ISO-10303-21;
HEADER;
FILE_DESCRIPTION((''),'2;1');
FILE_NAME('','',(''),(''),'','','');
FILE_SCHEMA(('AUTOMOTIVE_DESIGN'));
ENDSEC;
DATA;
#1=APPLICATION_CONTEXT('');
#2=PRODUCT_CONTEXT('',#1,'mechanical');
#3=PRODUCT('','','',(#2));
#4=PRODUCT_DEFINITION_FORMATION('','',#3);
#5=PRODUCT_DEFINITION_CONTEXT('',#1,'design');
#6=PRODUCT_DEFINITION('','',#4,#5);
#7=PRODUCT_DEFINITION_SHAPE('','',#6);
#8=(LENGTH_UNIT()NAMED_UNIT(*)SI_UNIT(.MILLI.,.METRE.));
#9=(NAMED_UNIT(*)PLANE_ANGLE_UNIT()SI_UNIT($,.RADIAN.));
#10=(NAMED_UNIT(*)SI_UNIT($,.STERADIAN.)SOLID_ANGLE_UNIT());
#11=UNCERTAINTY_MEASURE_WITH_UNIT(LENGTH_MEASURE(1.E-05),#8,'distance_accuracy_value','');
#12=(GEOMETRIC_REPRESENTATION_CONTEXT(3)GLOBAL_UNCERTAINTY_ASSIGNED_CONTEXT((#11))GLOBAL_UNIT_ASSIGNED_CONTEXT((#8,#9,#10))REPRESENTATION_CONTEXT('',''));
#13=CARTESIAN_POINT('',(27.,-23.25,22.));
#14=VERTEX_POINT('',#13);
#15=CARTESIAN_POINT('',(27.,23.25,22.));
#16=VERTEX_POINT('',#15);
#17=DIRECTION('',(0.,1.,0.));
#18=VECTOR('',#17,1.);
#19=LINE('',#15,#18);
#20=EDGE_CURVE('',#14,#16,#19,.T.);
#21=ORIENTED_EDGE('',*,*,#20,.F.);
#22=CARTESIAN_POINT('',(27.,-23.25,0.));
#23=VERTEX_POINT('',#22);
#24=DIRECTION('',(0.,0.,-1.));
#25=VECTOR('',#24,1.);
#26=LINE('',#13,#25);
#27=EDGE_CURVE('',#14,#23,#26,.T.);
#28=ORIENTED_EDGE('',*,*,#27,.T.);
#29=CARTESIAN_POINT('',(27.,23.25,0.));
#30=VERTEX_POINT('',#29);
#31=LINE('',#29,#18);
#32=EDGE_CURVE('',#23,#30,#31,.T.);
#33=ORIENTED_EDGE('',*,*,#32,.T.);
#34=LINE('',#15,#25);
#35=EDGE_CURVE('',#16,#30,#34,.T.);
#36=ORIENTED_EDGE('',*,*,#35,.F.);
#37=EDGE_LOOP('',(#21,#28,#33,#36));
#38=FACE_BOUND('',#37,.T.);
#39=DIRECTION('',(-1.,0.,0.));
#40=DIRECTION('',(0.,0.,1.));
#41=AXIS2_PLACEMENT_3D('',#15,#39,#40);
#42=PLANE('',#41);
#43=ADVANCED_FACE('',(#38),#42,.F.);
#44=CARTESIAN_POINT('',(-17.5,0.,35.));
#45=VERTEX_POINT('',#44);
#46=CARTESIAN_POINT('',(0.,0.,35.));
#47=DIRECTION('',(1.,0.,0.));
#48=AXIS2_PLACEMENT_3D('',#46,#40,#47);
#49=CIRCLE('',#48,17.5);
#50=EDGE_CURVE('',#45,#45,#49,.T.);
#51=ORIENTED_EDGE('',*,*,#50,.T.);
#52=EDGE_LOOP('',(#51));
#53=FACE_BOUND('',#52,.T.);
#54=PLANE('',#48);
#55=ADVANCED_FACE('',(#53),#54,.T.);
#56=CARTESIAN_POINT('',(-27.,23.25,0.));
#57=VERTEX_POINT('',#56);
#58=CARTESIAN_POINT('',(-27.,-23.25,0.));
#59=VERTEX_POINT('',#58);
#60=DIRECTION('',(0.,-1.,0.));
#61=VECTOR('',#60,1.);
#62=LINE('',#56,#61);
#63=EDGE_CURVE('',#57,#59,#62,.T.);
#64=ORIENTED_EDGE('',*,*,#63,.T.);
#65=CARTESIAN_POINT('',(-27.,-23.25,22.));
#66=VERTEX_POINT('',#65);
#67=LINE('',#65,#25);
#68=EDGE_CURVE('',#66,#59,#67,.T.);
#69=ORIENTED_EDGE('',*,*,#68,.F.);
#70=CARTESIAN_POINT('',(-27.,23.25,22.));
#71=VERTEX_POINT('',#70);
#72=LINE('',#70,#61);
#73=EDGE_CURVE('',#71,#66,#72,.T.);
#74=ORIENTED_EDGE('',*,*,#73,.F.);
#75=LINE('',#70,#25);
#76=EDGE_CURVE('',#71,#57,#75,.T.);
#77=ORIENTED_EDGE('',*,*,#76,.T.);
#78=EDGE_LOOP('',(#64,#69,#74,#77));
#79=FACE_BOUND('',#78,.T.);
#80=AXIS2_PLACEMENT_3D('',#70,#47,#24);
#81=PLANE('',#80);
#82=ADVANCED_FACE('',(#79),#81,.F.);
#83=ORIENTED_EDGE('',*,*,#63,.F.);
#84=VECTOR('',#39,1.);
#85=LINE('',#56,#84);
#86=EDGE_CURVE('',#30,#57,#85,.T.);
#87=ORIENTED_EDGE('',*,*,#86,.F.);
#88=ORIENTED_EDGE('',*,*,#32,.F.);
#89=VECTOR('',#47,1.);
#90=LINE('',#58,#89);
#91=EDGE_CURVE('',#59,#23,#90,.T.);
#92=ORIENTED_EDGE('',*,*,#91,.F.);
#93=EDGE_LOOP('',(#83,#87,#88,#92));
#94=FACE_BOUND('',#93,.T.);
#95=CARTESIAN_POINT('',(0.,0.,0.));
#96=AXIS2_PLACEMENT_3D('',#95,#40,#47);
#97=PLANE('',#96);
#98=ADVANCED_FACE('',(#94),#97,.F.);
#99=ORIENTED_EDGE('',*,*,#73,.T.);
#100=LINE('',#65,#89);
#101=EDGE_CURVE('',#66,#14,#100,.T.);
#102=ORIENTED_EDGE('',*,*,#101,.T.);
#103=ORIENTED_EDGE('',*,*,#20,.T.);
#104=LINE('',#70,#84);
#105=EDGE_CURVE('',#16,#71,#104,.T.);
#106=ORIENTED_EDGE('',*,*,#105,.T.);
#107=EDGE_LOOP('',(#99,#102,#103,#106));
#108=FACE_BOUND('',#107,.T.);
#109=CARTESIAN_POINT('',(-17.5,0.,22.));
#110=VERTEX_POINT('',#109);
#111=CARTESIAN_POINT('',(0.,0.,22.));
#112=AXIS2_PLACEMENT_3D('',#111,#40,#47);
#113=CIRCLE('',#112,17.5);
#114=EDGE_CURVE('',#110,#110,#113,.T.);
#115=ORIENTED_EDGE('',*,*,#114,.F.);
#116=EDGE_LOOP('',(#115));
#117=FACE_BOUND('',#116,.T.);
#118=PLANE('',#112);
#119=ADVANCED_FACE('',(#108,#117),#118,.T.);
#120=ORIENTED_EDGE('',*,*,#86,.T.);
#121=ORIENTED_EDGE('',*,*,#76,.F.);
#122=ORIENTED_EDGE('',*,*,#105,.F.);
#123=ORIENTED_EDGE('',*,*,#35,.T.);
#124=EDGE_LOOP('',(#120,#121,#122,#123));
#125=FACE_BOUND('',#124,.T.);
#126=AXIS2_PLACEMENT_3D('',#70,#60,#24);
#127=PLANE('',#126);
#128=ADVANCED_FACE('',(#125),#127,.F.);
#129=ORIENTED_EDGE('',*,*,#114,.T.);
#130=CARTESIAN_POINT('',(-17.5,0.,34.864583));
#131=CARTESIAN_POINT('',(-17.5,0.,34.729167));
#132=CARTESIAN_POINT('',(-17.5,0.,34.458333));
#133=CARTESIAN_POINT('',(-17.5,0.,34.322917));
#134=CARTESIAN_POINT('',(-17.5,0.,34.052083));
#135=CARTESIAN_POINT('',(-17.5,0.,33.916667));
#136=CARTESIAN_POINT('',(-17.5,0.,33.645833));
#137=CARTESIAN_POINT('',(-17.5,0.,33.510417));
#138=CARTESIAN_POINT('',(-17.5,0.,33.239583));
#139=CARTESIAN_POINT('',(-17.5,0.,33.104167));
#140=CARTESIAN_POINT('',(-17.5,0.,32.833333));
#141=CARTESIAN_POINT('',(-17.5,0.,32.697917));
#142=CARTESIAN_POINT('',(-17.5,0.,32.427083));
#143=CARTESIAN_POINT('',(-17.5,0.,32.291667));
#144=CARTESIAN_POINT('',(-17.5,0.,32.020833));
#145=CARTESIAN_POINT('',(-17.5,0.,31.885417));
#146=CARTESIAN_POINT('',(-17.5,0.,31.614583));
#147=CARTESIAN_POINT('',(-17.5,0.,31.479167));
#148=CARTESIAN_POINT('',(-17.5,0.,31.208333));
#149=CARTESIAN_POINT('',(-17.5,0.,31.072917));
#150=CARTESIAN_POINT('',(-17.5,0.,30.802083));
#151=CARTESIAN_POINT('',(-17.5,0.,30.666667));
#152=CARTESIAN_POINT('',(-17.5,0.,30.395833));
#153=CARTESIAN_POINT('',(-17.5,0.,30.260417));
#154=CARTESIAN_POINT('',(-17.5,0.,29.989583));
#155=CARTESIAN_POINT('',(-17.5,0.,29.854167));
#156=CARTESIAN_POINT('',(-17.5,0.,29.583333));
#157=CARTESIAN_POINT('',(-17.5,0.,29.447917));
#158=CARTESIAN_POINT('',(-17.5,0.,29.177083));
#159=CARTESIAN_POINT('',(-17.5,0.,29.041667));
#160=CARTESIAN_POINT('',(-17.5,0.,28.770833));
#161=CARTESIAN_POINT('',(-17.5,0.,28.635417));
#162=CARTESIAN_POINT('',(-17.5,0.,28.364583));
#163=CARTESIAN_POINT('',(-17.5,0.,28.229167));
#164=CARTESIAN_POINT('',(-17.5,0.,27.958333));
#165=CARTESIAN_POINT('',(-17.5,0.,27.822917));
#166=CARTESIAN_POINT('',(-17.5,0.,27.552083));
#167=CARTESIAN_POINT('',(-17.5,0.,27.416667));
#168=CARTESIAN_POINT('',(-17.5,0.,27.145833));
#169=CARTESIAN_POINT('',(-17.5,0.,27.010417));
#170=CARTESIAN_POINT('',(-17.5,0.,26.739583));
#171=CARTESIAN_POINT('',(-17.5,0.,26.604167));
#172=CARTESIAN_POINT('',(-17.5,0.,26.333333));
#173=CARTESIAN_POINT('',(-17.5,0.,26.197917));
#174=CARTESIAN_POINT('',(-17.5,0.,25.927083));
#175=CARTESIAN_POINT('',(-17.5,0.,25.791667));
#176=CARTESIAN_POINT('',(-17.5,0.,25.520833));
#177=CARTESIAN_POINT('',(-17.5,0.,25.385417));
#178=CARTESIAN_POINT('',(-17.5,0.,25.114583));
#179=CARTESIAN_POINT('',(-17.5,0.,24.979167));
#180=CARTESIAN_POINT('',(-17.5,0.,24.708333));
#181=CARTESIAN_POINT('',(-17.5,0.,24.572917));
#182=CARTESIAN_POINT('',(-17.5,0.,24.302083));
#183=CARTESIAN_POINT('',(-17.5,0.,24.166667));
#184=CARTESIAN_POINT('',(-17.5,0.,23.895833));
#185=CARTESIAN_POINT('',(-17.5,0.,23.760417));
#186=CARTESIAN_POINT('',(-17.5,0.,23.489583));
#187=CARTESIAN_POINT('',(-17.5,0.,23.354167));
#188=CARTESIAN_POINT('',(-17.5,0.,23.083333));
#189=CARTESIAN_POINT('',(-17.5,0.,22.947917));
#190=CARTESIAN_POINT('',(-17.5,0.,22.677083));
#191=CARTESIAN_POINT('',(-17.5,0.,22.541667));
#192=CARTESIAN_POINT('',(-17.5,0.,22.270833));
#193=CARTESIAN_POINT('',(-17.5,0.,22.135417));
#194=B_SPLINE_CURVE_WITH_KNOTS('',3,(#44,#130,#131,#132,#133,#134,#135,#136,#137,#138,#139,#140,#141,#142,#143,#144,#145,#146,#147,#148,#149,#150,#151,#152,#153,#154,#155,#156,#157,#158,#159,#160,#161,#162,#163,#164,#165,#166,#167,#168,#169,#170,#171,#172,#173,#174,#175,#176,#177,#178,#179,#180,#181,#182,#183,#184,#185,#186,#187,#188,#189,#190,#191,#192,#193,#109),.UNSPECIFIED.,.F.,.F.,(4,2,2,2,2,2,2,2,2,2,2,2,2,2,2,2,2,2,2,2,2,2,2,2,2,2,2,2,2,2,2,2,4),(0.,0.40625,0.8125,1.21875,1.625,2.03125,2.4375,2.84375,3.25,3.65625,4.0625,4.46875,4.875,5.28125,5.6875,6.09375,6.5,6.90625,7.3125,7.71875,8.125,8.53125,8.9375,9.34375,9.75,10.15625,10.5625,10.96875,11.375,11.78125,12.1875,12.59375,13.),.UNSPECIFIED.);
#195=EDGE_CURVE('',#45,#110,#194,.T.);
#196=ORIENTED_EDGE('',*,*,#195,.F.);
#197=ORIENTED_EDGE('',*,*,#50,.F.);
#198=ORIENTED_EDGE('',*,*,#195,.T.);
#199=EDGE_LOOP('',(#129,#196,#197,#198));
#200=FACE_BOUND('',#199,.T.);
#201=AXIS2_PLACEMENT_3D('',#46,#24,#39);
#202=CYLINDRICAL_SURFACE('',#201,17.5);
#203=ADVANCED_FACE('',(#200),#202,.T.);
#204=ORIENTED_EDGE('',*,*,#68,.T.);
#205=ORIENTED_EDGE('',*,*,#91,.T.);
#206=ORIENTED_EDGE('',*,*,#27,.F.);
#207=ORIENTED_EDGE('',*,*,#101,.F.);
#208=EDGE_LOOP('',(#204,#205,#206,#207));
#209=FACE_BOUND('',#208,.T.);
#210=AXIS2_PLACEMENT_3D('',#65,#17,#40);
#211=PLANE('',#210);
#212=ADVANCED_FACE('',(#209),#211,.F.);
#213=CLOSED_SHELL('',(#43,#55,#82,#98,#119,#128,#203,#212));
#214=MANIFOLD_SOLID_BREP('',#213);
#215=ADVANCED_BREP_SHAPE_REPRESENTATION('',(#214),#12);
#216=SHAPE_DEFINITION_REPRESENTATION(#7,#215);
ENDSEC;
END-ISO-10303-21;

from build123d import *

# Parameters (mm, degrees)
ESQUISSE1_W        = 54
ESQUISSE1_H        = 46.5
BOSS_EXTRU_1_DEPTH = 22
ESQUISSE2_R        = 17.5
BOSS_EXTRU_2_DEPTH = 13


with BuildPart() as part:
    # Esquisse1 → Boss.-Extru.1 (new body)
    with BuildSketch(Plane.XY):
        Rectangle(ESQUISSE1_W, ESQUISSE1_H)
    extrude(amount=BOSS_EXTRU_1_DEPTH)

    # Esquisse2 → Boss.-Extru.2 (add)
    with BuildSketch(Plane.XY.offset(22)):
        with Locations(Location((0, 0, 0), (0, 0, 180))):
            Circle(ESQUISSE2_R)
    extrude(amount=BOSS_EXTRU_2_DEPTH)


solid = part.part
